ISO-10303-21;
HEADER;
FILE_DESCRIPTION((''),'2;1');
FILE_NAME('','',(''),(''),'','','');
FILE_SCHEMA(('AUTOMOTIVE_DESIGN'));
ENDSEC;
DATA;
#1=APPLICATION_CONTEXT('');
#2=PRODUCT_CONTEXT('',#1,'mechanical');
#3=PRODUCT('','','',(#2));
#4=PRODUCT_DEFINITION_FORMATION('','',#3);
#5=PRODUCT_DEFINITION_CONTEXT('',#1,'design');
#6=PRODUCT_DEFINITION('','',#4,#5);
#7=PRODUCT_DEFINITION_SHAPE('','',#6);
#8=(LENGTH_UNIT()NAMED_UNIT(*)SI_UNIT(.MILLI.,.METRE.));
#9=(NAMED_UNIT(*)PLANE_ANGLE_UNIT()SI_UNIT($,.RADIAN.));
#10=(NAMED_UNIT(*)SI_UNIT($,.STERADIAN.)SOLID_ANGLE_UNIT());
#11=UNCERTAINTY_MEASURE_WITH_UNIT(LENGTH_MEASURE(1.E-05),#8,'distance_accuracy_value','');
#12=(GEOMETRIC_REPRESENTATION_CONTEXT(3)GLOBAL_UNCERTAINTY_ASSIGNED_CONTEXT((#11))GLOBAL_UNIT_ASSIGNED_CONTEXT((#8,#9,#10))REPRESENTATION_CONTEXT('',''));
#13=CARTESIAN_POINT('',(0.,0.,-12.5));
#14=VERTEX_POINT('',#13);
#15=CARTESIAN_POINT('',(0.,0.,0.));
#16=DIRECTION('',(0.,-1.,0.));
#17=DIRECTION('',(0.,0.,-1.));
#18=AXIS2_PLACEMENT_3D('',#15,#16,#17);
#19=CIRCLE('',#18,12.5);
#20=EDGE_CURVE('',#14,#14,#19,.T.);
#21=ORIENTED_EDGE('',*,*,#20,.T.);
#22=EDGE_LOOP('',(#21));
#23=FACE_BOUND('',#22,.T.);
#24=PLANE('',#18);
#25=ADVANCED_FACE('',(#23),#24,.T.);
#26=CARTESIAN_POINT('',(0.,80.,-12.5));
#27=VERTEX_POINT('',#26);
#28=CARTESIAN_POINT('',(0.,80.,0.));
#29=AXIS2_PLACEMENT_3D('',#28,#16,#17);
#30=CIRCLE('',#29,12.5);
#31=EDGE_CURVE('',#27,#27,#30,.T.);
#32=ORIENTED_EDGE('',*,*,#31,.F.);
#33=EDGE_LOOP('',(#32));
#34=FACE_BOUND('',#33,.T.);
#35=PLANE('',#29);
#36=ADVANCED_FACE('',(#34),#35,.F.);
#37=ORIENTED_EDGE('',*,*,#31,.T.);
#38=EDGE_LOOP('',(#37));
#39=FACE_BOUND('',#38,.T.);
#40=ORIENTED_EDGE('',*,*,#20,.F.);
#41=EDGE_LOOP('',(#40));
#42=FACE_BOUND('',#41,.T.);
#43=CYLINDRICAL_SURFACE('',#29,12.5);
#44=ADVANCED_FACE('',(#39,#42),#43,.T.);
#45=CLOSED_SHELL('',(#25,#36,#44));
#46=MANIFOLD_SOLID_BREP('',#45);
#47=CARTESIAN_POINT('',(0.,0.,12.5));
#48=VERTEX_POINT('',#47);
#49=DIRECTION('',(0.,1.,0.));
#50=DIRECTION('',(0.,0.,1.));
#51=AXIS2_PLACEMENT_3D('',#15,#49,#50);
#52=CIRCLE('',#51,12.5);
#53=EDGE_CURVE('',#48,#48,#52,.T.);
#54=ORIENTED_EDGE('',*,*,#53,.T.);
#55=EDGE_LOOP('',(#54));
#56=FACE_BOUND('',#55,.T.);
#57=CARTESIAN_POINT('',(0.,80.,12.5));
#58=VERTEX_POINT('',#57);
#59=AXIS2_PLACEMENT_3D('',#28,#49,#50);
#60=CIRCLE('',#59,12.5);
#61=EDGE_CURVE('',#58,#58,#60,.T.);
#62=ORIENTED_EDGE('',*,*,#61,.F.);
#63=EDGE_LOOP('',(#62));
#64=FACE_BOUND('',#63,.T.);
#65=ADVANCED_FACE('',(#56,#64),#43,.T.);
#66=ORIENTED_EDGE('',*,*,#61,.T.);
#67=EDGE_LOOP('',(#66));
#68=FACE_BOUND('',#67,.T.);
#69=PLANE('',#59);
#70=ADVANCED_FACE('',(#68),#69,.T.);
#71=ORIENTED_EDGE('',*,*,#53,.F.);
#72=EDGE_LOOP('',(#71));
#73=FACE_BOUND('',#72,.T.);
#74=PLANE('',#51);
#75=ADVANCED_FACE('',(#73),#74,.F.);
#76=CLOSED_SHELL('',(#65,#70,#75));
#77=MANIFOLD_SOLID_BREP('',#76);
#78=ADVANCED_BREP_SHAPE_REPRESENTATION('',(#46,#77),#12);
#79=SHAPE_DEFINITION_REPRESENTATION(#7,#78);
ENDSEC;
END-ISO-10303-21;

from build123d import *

# Parameters (mm, degrees)
SKETCH1_R           = 12.5
BOSS_EXTRUDE1_DEPTH = 80
SKETCH5_R           = 12.5
BOSS_EXTRUDE2_DEPTH = 80


with BuildPart() as part:
    # Sketch1 → Boss-Extrude1 (new body)
    with BuildSketch(Plane(origin=(0, 0, 0), x_dir=(1, 0, 0), z_dir=(0, 1, 0))):
        Circle(SKETCH1_R)
    extrude(amount=BOSS_EXTRUDE1_DEPTH)


with BuildPart() as body_2:
    # Sketch5 → Boss-Extrude2 (new body)
    with BuildSketch(Plane(origin=(0, 0, 0), x_dir=(-1, 0, 0), z_dir=(0, -1, 0))):
        Circle(SKETCH5_R)
    extrude(amount=-BOSS_EXTRUDE2_DEPTH)


solid = Compound([part.part, body_2.part])
